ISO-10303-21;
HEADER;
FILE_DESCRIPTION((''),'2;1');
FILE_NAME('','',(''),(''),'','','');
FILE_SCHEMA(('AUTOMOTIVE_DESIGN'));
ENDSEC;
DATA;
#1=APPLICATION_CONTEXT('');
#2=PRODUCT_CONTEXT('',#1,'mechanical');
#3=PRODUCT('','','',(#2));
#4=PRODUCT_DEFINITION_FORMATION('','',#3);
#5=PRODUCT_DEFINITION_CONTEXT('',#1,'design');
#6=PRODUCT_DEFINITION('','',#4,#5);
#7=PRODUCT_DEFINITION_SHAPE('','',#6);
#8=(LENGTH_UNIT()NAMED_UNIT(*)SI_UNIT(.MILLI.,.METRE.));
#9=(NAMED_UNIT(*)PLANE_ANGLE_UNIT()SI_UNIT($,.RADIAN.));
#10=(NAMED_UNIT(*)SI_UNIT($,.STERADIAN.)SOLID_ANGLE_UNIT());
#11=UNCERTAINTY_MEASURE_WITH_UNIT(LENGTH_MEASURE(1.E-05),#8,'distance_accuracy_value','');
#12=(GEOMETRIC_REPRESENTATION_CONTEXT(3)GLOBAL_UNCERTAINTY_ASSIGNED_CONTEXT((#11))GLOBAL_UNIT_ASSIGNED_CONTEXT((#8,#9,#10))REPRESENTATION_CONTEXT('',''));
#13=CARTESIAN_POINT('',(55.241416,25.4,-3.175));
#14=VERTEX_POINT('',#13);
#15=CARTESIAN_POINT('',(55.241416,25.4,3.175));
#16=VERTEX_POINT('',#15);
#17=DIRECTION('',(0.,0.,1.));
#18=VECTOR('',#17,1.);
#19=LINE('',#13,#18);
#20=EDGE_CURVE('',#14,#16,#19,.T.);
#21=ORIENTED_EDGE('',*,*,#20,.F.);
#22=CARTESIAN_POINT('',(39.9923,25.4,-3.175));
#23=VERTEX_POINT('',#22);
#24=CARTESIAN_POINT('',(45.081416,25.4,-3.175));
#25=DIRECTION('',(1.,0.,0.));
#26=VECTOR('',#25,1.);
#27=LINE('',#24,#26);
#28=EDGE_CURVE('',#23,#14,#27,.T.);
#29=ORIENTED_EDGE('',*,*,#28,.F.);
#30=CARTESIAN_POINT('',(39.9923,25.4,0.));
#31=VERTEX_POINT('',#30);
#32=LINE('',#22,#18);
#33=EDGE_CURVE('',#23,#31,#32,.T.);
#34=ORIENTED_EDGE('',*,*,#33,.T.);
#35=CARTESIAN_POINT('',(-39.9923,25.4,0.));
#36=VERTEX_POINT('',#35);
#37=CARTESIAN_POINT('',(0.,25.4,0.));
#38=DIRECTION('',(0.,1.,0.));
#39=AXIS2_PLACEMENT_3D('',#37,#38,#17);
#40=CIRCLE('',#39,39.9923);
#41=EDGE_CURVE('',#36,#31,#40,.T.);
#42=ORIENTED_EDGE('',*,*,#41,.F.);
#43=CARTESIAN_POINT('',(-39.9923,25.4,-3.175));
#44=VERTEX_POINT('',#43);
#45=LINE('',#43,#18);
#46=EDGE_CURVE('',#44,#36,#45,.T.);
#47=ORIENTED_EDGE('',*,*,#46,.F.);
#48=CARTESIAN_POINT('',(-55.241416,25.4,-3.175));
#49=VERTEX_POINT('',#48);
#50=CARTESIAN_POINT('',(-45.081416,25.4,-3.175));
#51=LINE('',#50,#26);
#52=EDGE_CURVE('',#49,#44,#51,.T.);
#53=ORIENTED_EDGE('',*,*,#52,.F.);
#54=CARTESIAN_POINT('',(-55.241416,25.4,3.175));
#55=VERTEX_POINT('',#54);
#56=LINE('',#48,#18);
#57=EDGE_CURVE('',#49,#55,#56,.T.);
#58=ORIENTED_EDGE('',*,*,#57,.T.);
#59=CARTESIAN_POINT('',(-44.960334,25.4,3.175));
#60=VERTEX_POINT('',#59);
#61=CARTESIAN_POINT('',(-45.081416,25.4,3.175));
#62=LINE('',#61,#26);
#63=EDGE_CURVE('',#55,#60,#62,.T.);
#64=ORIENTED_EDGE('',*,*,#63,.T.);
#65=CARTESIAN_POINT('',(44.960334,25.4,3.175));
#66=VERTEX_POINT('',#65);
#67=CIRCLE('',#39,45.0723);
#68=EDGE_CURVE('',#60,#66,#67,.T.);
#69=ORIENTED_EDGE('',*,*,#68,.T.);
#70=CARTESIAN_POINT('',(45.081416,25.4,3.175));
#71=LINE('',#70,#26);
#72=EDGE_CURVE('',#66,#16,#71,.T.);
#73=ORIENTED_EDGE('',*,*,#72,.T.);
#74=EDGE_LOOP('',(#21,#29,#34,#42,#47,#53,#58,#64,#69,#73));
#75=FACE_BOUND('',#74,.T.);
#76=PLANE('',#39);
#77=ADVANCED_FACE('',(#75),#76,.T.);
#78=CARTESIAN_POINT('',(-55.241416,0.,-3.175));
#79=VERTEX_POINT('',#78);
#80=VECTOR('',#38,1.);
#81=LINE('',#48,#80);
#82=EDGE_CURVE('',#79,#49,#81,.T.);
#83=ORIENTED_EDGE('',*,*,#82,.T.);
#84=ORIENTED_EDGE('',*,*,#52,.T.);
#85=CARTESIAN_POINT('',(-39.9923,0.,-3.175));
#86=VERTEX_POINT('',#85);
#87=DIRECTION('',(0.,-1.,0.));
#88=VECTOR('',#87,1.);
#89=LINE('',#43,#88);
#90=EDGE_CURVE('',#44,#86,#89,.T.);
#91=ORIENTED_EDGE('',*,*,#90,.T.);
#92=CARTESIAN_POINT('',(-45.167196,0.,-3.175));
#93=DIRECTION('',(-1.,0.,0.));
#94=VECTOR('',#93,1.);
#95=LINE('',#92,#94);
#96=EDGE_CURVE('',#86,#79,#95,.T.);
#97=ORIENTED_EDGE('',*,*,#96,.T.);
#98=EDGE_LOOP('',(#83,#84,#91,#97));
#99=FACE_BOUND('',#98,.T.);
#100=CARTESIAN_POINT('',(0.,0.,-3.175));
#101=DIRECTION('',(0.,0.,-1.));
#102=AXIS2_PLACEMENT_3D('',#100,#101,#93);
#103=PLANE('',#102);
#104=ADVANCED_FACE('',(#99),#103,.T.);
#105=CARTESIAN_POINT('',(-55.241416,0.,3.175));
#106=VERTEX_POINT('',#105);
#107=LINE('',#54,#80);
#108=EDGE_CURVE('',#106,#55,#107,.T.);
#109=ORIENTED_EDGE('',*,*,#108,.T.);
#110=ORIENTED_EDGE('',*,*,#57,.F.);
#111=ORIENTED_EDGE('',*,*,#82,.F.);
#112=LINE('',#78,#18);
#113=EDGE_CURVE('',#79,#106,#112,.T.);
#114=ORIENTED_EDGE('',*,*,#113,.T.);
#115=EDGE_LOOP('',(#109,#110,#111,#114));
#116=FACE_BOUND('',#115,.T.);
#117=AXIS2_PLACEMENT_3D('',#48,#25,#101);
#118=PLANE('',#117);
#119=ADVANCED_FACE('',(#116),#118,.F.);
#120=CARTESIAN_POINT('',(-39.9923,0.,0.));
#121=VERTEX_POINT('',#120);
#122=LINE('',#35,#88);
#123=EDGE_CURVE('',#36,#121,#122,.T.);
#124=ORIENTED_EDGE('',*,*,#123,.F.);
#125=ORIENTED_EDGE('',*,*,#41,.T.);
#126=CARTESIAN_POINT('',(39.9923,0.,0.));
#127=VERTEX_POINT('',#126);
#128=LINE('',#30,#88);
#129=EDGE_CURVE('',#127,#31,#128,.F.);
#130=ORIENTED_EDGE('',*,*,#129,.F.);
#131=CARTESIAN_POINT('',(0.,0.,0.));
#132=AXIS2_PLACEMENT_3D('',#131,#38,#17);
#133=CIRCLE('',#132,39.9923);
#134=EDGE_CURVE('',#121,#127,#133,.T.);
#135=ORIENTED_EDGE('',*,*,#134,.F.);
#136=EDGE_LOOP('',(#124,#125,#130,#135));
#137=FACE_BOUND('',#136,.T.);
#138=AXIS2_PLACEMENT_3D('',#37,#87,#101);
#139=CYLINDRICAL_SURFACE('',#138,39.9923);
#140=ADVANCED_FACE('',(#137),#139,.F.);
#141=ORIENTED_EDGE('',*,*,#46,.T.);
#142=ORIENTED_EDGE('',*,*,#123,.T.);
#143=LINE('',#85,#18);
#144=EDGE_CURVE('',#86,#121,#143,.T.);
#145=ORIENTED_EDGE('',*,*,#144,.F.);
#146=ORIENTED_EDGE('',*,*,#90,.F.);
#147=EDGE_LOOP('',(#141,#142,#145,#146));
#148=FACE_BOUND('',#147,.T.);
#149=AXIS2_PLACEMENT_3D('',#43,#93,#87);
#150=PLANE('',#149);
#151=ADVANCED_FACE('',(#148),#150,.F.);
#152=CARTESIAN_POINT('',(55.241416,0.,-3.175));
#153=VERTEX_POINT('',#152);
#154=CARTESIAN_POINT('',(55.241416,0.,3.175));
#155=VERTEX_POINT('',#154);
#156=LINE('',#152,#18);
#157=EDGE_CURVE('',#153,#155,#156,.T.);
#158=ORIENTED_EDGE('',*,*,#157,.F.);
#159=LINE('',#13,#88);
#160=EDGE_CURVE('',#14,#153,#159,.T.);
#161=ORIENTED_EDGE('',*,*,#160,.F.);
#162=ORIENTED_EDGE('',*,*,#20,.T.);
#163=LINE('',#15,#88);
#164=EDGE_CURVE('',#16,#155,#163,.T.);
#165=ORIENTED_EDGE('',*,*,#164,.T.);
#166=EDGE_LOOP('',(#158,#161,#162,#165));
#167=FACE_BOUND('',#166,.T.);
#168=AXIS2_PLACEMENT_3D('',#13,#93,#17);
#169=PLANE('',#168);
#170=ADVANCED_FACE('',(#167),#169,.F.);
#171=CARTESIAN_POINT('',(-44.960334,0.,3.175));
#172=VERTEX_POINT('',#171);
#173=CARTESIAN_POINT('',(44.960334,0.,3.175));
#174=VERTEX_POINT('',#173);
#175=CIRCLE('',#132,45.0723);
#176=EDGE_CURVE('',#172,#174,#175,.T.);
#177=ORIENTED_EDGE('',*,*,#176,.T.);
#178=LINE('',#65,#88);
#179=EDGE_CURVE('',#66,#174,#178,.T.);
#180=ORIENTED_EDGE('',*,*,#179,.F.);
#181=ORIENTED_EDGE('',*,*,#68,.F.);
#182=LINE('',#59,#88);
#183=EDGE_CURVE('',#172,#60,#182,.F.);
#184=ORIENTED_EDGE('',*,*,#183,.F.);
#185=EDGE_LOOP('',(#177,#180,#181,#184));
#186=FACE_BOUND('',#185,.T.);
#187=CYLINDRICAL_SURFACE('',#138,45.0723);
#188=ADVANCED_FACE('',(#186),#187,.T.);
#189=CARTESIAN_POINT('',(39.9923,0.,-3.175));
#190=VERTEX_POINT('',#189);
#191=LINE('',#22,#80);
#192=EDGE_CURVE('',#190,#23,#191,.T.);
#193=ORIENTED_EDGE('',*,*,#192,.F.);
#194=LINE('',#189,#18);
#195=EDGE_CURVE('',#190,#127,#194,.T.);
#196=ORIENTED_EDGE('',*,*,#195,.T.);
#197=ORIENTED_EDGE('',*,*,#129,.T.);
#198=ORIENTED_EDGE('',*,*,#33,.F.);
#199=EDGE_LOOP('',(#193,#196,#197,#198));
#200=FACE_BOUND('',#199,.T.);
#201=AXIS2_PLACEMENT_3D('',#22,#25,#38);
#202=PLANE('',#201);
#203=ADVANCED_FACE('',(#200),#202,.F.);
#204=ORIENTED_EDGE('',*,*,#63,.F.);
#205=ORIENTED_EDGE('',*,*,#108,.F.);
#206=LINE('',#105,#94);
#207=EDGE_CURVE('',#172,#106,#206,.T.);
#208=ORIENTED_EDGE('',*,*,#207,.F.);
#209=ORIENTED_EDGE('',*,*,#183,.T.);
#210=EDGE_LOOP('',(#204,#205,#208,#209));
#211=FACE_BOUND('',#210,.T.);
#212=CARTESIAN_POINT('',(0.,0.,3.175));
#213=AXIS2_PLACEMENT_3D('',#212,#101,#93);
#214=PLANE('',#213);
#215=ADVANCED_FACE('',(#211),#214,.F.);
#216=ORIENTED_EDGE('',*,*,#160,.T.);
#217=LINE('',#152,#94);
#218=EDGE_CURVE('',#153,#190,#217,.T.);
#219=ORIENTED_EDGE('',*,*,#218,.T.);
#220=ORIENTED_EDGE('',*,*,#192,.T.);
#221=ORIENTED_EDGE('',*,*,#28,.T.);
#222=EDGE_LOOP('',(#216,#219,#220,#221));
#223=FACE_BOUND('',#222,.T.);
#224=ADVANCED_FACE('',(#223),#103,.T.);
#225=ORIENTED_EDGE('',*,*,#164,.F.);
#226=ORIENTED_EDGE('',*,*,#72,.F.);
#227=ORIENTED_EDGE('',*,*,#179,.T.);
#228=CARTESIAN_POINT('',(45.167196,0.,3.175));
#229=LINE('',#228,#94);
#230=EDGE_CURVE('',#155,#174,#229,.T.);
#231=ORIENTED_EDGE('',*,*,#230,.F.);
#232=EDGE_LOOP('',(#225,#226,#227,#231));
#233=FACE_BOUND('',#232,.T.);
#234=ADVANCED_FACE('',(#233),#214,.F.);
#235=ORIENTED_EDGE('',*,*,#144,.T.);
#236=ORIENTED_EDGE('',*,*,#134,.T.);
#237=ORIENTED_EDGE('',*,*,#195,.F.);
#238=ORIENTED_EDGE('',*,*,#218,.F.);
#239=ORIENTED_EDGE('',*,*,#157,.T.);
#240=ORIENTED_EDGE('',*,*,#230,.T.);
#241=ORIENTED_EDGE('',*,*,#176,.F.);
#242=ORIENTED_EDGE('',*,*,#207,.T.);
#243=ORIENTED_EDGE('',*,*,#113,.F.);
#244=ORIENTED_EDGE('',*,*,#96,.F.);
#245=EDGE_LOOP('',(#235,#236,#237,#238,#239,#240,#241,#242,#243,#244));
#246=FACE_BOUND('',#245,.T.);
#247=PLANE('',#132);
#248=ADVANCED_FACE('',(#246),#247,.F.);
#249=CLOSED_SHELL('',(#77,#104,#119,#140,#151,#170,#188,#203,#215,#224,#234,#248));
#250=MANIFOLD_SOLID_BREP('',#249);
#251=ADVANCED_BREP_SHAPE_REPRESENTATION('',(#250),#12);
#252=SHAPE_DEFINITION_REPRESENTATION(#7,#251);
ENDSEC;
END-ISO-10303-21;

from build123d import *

# Parameters (mm, degrees)
SKETCH2_R           = 45.0723
SKETCH2_R_2         = 39.9923
BOSS_EXTRUDE1_DEPTH = 25.4
SKETCH3_W           = 90.1446
SKETCH3_H           = 25.4
CUT_EXTRUDE1_DEPTH  = 46.0723
BOSS_EXTRUDE2_DEPTH = 3.175


with BuildPart() as part:
    # Sketch2 → Boss-Extrude1 (new body)
    with BuildSketch(Plane(origin=(0, 0, 0), x_dir=(1, 0, 0), z_dir=(0, 1, 0))):
        Circle(SKETCH2_R)
        Circle(SKETCH2_R_2, mode=Mode.SUBTRACT)
    extrude(amount=BOSS_EXTRUDE1_DEPTH)

    # Sketch3 → Cut-Extrude1 (cut, through all)
    with BuildSketch(Plane.XY):
        with Locations((0, 12.7)):
            Rectangle(SKETCH3_W, SKETCH3_H)
    extrude(amount=-CUT_EXTRUDE1_DEPTH, mode=Mode.SUBTRACT)

    # Sketch5 → Boss-Extrude2 (add, symmetric)
    with BuildSketch(Plane(origin=(0, 0, 0), x_dir=(-1, 0, 0), z_dir=(0, 0, -1))):
        Polygon((-45.081415665, 25.4), (-39.9923, 25.4), (-39.9923, 0), (-45.167196058, 0), (-55.241415665, 0), (-55.241415665, 25.4), align=None)
        Polygon((45.081415665, 25.4), (55.241415665, 25.4), (55.241415665, 0), (45.167196058, 0), (39.9923, 0), (39.9923, 25.4), align=None)
    extrude(amount=BOSS_EXTRUDE2_DEPTH, both=True)


solid = part.part
